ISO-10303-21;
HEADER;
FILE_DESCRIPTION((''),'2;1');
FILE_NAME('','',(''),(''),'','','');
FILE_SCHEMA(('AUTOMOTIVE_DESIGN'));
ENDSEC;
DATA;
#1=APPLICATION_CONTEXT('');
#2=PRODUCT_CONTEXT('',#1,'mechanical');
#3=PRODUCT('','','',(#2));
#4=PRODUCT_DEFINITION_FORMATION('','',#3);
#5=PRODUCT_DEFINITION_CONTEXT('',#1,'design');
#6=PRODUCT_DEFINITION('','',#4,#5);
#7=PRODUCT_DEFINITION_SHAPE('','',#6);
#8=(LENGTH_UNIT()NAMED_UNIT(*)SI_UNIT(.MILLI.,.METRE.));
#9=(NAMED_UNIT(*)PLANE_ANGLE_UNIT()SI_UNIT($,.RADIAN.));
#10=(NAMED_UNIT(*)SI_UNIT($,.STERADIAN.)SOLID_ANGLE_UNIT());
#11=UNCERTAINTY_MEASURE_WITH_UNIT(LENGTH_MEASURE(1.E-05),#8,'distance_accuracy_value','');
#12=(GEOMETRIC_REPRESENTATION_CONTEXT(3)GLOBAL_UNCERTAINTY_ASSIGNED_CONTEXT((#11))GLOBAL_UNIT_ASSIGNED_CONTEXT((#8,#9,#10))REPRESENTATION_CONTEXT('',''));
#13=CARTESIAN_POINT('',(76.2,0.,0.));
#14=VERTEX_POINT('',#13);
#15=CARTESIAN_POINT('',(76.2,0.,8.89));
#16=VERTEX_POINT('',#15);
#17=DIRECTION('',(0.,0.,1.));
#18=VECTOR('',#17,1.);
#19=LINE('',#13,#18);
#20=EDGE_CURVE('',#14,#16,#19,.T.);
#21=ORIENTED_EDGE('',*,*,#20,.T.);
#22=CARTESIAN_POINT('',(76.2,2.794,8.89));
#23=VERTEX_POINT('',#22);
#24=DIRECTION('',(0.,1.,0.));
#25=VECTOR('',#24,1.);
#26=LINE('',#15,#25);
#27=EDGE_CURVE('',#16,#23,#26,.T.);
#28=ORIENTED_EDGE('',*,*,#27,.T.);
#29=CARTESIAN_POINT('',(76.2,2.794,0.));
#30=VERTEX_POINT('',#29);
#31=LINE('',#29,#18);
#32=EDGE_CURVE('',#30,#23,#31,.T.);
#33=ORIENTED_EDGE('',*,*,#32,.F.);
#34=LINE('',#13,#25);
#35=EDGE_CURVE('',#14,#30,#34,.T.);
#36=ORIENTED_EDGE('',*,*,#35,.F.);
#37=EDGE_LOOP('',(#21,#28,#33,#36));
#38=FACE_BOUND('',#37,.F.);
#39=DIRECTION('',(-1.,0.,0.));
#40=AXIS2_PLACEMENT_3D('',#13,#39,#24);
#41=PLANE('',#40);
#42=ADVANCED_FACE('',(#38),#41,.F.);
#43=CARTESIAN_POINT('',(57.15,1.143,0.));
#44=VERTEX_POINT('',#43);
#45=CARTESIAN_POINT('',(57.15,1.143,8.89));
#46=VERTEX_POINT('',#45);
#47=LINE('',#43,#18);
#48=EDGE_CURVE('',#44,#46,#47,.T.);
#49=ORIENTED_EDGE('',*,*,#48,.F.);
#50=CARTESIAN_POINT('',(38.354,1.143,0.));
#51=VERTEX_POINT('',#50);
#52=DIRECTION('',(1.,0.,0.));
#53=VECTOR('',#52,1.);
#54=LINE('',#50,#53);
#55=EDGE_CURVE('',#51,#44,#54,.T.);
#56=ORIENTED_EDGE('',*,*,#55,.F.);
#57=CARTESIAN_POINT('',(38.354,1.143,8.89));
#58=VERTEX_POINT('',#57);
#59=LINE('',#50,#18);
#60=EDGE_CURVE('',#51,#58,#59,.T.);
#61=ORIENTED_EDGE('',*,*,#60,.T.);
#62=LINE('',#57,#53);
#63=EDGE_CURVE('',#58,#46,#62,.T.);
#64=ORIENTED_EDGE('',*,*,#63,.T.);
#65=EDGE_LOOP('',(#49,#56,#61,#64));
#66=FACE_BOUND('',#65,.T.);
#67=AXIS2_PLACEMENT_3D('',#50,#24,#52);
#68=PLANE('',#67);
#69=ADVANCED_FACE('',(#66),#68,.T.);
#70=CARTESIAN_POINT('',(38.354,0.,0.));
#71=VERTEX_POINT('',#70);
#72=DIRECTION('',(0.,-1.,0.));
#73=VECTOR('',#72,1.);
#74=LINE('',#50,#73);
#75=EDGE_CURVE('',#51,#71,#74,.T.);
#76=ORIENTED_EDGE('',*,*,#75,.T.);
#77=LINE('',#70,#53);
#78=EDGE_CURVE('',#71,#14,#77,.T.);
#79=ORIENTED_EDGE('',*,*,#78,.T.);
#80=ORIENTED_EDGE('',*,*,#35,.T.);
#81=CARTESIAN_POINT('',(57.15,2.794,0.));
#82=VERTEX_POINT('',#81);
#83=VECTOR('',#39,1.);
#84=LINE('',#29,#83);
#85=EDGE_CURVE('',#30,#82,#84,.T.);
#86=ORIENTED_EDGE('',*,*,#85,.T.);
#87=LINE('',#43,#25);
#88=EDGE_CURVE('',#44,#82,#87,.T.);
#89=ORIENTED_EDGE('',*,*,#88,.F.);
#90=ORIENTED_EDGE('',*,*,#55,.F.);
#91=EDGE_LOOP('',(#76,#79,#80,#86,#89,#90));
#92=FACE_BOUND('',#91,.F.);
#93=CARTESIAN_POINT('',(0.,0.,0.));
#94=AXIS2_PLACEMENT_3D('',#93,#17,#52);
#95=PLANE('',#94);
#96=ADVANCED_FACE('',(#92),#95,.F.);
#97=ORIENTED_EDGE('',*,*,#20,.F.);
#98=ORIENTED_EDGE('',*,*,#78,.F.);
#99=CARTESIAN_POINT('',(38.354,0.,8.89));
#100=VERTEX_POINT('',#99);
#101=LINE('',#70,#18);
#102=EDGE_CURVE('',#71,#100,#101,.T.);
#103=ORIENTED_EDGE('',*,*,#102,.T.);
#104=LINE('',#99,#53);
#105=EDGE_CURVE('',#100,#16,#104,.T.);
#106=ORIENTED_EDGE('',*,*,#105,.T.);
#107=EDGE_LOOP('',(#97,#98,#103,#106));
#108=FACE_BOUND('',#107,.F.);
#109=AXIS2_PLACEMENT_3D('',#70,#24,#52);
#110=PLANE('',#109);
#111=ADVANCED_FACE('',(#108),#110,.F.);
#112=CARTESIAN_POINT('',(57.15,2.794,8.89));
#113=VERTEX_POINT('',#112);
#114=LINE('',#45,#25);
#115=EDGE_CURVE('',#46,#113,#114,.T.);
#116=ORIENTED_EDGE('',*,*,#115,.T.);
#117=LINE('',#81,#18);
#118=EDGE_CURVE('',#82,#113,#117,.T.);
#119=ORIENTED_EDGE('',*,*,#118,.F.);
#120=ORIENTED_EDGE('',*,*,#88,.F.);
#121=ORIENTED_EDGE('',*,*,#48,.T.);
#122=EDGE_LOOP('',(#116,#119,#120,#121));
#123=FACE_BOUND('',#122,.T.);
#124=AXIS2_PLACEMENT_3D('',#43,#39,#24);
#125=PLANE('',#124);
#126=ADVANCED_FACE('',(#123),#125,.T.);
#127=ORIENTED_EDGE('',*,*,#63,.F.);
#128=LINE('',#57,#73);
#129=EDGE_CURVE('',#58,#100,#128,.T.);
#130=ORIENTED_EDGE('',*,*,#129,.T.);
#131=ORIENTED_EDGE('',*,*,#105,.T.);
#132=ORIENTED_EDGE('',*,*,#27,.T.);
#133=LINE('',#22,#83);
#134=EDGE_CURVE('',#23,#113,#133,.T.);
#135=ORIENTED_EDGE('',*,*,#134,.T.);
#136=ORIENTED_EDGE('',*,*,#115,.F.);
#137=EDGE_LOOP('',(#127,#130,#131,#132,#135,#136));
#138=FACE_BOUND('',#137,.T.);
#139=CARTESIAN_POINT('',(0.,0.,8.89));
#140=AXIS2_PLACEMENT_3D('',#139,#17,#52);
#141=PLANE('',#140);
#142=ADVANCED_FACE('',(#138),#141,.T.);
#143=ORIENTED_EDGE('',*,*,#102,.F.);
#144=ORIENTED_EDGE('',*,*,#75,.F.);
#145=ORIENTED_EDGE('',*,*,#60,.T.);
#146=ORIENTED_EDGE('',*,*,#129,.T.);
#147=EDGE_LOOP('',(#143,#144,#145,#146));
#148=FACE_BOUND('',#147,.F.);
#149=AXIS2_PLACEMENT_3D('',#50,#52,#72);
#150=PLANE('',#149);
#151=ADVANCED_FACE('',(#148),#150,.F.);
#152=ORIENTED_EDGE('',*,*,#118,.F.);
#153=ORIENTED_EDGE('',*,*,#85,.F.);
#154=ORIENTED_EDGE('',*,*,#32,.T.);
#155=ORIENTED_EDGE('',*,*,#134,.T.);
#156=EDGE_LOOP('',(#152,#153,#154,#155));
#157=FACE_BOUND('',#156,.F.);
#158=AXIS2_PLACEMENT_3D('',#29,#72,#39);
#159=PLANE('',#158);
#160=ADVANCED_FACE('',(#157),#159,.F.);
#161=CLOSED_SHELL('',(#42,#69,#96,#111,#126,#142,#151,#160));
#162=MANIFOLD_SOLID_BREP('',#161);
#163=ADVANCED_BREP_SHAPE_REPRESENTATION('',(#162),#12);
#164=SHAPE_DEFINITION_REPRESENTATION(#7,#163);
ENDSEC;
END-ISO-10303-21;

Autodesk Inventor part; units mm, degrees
ref_plane "YZ Plane" through (0, 0, 0) normal (1, 0, 0) x (0, 1, 0)
ref_plane "XZ Plane" through (0, 0, 0) normal (0, 1, 0) x (-1, 0, 0)
ref_plane "XY Plane" through (0, 0, 0) normal (0, 0, 1) x (1, 0, 0)
sketch "Sketch1" plane through (0, 0, 0) normal (0, 0, 1) x (1, 0, 0)
  line L0 (38.354, 0) -> (76.2, 0)
  line L1 (76.2, 0) -> (76.2, 2.794)
  line L2 (76.2, 2.794) -> (57.15, 2.794)
  line L3 (57.15, 1.143) -> (57.15, 2.794)
  line L4 (38.354, 1.143) -> (57.15, 1.143)
  line L5 (38.354, 1.143) -> (38.354, 0)
  point P0 (0, 0)
extrude "Extrusion1" add sketch "Sketch1" along normal blind 8.89
properties part number "Mesh Test"
